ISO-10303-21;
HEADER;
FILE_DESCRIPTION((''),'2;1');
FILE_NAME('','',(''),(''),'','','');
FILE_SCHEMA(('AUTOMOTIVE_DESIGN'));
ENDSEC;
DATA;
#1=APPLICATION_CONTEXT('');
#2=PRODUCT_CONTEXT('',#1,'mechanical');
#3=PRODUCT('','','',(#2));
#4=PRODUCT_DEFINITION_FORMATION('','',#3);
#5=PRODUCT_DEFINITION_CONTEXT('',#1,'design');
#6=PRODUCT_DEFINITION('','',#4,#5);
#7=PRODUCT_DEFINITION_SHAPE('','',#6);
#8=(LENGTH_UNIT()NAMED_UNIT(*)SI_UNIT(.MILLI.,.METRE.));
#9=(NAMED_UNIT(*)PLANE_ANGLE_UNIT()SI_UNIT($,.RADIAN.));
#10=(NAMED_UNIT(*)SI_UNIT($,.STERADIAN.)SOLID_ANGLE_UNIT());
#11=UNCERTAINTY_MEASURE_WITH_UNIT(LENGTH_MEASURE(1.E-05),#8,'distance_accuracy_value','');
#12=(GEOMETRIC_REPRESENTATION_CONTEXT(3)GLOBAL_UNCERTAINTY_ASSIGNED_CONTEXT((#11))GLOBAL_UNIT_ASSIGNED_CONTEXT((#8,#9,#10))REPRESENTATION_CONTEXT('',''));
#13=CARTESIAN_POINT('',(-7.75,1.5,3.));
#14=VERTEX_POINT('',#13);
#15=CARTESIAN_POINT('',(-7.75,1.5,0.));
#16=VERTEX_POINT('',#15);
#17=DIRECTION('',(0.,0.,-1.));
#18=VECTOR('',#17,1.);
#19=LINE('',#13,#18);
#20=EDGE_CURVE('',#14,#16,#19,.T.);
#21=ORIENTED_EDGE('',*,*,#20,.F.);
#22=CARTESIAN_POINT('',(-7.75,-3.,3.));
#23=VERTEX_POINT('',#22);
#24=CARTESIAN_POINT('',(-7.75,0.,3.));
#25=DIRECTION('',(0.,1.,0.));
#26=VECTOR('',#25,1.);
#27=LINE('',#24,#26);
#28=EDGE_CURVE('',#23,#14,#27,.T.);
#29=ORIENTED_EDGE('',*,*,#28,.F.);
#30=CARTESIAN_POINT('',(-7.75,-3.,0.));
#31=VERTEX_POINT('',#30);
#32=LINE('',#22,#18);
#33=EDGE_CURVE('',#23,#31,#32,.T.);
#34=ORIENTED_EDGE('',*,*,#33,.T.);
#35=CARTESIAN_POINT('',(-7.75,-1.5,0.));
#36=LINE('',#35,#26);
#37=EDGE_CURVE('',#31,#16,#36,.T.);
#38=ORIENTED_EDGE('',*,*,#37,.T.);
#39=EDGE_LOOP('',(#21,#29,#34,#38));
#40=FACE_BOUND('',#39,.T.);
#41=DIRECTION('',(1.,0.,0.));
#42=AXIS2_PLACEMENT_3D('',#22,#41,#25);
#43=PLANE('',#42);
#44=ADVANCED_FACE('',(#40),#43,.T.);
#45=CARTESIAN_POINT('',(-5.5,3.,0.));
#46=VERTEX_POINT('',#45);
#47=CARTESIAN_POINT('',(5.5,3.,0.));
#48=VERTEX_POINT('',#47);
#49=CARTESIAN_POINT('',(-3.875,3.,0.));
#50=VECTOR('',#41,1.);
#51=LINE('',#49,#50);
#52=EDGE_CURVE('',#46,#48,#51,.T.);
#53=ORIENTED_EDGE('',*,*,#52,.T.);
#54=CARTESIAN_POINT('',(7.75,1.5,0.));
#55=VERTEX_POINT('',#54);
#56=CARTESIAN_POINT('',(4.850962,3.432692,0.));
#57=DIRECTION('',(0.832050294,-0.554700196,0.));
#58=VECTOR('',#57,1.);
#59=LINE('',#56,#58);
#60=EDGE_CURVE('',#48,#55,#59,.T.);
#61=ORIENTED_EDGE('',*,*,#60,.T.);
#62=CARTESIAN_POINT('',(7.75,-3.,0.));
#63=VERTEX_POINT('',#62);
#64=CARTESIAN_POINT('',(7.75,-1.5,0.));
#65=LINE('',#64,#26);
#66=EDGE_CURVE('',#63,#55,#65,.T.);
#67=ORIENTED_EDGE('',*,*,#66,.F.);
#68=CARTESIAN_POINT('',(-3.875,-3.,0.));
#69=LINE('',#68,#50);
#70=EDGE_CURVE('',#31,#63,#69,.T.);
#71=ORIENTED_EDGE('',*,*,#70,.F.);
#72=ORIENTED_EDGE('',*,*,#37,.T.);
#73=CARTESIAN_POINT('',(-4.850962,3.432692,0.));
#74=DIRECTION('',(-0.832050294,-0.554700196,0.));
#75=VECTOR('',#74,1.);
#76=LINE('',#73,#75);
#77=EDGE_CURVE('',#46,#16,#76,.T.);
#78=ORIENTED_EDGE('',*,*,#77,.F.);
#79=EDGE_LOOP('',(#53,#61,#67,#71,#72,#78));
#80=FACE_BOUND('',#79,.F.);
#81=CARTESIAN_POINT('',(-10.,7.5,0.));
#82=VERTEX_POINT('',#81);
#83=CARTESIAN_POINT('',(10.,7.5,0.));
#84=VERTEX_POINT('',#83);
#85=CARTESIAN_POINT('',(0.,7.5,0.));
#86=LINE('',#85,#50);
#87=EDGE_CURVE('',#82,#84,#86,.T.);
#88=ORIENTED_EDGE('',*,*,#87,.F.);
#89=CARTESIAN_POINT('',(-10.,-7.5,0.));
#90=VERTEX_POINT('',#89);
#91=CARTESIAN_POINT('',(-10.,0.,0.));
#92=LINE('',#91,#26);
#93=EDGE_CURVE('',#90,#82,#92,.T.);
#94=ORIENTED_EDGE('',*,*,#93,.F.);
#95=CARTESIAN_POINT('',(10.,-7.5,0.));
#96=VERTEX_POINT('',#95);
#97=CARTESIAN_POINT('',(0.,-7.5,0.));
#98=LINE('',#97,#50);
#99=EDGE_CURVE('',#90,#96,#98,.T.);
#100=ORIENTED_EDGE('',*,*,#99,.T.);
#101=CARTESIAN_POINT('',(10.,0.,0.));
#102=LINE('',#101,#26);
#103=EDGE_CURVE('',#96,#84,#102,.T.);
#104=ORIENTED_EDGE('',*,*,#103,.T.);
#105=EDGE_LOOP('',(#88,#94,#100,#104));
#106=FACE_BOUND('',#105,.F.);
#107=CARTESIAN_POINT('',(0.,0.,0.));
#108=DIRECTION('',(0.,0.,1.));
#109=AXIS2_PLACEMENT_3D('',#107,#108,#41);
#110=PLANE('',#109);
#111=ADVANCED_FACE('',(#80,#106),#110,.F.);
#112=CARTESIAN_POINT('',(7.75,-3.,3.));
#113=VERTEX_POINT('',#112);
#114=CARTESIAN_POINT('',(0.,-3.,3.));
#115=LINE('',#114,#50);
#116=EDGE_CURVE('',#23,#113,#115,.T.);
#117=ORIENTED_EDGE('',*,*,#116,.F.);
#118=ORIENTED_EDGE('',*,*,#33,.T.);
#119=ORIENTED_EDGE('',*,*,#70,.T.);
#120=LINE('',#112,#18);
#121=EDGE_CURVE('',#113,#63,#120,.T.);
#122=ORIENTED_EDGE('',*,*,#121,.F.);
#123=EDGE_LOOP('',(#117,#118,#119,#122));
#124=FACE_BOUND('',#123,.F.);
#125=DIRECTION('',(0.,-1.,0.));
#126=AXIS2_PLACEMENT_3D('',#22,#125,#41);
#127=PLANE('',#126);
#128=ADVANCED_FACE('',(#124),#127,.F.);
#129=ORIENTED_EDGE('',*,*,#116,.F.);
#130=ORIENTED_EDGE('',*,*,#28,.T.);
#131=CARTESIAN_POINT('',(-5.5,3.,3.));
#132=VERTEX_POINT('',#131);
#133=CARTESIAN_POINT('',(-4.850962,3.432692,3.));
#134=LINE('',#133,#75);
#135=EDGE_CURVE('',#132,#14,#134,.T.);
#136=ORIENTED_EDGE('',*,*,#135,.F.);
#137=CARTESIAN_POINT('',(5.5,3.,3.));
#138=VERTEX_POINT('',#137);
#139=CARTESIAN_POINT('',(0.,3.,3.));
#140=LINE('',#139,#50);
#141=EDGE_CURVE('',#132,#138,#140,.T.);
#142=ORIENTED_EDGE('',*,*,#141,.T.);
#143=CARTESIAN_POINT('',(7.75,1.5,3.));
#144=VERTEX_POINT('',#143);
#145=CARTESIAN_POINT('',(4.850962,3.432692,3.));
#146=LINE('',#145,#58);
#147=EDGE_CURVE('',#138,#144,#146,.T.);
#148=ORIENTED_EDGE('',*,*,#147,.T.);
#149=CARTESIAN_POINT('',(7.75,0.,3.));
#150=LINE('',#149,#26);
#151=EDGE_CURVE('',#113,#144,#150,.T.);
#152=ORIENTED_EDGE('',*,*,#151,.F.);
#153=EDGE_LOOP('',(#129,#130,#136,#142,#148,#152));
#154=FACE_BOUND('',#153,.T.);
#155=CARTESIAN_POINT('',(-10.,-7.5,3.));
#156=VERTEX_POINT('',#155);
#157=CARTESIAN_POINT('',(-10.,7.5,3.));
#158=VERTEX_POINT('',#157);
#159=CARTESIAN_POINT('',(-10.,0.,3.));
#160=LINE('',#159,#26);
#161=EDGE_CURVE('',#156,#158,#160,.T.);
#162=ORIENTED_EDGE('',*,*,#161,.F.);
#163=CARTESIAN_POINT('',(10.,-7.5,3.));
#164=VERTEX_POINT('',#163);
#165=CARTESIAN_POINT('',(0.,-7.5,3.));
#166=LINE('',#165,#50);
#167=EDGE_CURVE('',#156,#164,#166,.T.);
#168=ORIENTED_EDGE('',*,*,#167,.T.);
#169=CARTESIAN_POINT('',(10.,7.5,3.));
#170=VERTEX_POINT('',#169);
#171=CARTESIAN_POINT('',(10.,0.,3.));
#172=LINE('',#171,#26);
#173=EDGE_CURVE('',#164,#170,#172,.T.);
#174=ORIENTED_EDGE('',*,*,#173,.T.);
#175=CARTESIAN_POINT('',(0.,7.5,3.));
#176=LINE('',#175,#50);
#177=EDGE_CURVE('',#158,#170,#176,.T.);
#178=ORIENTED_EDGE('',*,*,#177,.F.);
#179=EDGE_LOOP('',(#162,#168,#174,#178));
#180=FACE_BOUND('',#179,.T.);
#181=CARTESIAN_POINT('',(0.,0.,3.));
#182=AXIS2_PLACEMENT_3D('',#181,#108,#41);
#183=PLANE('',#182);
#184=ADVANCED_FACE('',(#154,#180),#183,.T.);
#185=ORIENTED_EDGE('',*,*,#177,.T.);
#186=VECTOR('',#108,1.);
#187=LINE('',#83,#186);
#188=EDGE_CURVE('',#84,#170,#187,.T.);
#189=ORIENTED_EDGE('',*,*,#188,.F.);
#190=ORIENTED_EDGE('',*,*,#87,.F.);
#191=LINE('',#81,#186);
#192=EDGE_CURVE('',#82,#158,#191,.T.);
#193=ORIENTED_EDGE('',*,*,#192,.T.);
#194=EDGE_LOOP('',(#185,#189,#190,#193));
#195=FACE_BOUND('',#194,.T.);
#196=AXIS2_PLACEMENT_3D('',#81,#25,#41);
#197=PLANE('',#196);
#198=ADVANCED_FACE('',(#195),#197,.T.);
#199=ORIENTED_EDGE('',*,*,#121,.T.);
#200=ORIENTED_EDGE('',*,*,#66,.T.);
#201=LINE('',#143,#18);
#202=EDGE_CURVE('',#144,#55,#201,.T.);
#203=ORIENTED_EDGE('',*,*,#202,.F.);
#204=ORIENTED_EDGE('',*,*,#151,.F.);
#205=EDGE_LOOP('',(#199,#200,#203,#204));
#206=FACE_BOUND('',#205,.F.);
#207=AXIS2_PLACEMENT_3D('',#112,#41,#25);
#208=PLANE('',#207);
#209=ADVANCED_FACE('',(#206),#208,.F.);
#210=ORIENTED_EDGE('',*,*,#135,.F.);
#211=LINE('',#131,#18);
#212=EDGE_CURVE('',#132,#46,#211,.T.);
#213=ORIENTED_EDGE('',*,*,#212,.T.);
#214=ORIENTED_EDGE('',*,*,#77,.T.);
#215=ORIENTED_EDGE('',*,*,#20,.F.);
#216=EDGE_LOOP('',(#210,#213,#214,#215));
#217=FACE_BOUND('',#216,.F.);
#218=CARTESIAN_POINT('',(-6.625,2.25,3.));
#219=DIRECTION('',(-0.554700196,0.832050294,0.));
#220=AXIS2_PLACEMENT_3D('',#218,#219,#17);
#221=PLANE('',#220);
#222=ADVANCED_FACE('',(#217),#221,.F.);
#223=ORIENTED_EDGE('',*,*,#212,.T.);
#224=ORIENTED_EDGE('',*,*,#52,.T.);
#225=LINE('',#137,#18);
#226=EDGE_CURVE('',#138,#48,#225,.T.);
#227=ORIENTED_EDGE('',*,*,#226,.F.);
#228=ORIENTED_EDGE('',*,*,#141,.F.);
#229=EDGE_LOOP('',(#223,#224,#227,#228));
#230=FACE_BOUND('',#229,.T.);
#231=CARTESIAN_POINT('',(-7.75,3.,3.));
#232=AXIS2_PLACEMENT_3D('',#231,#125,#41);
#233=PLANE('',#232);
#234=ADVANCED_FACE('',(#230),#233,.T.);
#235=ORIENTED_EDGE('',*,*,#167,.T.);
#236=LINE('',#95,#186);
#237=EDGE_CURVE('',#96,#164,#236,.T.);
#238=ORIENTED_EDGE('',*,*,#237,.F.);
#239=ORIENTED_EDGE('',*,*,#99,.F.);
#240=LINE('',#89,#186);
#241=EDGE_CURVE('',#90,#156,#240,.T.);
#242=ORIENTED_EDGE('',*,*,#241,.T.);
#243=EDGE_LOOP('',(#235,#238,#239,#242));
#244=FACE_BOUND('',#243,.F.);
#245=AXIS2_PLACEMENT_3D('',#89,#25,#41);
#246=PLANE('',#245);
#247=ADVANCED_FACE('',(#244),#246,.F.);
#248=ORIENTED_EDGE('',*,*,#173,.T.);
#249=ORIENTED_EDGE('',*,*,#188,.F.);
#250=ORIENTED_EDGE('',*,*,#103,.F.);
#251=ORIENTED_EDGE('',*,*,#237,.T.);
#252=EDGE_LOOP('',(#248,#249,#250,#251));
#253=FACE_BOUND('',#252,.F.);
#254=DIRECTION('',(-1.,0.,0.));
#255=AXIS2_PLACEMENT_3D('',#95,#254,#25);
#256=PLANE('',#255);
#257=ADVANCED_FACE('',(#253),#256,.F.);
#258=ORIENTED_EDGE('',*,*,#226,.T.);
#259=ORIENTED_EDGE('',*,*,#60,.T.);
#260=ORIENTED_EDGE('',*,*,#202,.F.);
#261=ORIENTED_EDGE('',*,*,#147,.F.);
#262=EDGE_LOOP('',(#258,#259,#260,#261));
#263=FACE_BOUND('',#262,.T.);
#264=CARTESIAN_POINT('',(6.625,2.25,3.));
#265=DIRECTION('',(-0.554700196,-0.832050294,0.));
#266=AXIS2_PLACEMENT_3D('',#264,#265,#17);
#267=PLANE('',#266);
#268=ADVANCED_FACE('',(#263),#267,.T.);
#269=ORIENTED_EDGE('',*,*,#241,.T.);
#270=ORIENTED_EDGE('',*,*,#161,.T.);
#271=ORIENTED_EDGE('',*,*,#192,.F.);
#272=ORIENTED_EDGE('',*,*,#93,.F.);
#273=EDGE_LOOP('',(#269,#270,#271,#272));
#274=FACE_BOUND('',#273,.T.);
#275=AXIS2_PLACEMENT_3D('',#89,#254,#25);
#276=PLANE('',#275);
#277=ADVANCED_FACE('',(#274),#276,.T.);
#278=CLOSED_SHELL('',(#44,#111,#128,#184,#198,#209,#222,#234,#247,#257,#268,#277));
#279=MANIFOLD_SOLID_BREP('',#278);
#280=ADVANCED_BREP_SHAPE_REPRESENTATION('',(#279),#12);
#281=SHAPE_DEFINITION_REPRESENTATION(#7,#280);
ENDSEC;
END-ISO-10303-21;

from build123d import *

# Parameters (mm, degrees)
F0_W     = 20
F0_H     = 15
F1_DEPTH = 3
F2_W     = 15.5
F2_H     = 6
F3_DEPTH = 25
F4_SIZE2 = 1.5
F4_SIZE  = 2.25


with BuildPart() as f1:
    # F0 (on Top) → F1 (new body)
    with BuildSketch(Plane.XY):
        Rectangle(F0_W, F0_H)
    extrude(amount=F1_DEPTH)

    # F2 (on face) → F3 (cut)
    with BuildSketch(Plane.XY.offset(3)):
        Rectangle(F2_W, F2_H)
    extrude(amount=-F3_DEPTH, mode=Mode.SUBTRACT)

    # F4
    f4_edges = [f1.edges().sort_by_distance(p)[0] for p in [
        (-7.75, 3, 1.5),
        (7.75, 3, 1.5),
    ]]
    f4_side = f1.faces().sort_by_distance((0, 3, 1.5))[0]
    chamfer(f4_edges, length=F4_SIZE, length2=F4_SIZE2, reference=f4_side)


solid = f1.part
